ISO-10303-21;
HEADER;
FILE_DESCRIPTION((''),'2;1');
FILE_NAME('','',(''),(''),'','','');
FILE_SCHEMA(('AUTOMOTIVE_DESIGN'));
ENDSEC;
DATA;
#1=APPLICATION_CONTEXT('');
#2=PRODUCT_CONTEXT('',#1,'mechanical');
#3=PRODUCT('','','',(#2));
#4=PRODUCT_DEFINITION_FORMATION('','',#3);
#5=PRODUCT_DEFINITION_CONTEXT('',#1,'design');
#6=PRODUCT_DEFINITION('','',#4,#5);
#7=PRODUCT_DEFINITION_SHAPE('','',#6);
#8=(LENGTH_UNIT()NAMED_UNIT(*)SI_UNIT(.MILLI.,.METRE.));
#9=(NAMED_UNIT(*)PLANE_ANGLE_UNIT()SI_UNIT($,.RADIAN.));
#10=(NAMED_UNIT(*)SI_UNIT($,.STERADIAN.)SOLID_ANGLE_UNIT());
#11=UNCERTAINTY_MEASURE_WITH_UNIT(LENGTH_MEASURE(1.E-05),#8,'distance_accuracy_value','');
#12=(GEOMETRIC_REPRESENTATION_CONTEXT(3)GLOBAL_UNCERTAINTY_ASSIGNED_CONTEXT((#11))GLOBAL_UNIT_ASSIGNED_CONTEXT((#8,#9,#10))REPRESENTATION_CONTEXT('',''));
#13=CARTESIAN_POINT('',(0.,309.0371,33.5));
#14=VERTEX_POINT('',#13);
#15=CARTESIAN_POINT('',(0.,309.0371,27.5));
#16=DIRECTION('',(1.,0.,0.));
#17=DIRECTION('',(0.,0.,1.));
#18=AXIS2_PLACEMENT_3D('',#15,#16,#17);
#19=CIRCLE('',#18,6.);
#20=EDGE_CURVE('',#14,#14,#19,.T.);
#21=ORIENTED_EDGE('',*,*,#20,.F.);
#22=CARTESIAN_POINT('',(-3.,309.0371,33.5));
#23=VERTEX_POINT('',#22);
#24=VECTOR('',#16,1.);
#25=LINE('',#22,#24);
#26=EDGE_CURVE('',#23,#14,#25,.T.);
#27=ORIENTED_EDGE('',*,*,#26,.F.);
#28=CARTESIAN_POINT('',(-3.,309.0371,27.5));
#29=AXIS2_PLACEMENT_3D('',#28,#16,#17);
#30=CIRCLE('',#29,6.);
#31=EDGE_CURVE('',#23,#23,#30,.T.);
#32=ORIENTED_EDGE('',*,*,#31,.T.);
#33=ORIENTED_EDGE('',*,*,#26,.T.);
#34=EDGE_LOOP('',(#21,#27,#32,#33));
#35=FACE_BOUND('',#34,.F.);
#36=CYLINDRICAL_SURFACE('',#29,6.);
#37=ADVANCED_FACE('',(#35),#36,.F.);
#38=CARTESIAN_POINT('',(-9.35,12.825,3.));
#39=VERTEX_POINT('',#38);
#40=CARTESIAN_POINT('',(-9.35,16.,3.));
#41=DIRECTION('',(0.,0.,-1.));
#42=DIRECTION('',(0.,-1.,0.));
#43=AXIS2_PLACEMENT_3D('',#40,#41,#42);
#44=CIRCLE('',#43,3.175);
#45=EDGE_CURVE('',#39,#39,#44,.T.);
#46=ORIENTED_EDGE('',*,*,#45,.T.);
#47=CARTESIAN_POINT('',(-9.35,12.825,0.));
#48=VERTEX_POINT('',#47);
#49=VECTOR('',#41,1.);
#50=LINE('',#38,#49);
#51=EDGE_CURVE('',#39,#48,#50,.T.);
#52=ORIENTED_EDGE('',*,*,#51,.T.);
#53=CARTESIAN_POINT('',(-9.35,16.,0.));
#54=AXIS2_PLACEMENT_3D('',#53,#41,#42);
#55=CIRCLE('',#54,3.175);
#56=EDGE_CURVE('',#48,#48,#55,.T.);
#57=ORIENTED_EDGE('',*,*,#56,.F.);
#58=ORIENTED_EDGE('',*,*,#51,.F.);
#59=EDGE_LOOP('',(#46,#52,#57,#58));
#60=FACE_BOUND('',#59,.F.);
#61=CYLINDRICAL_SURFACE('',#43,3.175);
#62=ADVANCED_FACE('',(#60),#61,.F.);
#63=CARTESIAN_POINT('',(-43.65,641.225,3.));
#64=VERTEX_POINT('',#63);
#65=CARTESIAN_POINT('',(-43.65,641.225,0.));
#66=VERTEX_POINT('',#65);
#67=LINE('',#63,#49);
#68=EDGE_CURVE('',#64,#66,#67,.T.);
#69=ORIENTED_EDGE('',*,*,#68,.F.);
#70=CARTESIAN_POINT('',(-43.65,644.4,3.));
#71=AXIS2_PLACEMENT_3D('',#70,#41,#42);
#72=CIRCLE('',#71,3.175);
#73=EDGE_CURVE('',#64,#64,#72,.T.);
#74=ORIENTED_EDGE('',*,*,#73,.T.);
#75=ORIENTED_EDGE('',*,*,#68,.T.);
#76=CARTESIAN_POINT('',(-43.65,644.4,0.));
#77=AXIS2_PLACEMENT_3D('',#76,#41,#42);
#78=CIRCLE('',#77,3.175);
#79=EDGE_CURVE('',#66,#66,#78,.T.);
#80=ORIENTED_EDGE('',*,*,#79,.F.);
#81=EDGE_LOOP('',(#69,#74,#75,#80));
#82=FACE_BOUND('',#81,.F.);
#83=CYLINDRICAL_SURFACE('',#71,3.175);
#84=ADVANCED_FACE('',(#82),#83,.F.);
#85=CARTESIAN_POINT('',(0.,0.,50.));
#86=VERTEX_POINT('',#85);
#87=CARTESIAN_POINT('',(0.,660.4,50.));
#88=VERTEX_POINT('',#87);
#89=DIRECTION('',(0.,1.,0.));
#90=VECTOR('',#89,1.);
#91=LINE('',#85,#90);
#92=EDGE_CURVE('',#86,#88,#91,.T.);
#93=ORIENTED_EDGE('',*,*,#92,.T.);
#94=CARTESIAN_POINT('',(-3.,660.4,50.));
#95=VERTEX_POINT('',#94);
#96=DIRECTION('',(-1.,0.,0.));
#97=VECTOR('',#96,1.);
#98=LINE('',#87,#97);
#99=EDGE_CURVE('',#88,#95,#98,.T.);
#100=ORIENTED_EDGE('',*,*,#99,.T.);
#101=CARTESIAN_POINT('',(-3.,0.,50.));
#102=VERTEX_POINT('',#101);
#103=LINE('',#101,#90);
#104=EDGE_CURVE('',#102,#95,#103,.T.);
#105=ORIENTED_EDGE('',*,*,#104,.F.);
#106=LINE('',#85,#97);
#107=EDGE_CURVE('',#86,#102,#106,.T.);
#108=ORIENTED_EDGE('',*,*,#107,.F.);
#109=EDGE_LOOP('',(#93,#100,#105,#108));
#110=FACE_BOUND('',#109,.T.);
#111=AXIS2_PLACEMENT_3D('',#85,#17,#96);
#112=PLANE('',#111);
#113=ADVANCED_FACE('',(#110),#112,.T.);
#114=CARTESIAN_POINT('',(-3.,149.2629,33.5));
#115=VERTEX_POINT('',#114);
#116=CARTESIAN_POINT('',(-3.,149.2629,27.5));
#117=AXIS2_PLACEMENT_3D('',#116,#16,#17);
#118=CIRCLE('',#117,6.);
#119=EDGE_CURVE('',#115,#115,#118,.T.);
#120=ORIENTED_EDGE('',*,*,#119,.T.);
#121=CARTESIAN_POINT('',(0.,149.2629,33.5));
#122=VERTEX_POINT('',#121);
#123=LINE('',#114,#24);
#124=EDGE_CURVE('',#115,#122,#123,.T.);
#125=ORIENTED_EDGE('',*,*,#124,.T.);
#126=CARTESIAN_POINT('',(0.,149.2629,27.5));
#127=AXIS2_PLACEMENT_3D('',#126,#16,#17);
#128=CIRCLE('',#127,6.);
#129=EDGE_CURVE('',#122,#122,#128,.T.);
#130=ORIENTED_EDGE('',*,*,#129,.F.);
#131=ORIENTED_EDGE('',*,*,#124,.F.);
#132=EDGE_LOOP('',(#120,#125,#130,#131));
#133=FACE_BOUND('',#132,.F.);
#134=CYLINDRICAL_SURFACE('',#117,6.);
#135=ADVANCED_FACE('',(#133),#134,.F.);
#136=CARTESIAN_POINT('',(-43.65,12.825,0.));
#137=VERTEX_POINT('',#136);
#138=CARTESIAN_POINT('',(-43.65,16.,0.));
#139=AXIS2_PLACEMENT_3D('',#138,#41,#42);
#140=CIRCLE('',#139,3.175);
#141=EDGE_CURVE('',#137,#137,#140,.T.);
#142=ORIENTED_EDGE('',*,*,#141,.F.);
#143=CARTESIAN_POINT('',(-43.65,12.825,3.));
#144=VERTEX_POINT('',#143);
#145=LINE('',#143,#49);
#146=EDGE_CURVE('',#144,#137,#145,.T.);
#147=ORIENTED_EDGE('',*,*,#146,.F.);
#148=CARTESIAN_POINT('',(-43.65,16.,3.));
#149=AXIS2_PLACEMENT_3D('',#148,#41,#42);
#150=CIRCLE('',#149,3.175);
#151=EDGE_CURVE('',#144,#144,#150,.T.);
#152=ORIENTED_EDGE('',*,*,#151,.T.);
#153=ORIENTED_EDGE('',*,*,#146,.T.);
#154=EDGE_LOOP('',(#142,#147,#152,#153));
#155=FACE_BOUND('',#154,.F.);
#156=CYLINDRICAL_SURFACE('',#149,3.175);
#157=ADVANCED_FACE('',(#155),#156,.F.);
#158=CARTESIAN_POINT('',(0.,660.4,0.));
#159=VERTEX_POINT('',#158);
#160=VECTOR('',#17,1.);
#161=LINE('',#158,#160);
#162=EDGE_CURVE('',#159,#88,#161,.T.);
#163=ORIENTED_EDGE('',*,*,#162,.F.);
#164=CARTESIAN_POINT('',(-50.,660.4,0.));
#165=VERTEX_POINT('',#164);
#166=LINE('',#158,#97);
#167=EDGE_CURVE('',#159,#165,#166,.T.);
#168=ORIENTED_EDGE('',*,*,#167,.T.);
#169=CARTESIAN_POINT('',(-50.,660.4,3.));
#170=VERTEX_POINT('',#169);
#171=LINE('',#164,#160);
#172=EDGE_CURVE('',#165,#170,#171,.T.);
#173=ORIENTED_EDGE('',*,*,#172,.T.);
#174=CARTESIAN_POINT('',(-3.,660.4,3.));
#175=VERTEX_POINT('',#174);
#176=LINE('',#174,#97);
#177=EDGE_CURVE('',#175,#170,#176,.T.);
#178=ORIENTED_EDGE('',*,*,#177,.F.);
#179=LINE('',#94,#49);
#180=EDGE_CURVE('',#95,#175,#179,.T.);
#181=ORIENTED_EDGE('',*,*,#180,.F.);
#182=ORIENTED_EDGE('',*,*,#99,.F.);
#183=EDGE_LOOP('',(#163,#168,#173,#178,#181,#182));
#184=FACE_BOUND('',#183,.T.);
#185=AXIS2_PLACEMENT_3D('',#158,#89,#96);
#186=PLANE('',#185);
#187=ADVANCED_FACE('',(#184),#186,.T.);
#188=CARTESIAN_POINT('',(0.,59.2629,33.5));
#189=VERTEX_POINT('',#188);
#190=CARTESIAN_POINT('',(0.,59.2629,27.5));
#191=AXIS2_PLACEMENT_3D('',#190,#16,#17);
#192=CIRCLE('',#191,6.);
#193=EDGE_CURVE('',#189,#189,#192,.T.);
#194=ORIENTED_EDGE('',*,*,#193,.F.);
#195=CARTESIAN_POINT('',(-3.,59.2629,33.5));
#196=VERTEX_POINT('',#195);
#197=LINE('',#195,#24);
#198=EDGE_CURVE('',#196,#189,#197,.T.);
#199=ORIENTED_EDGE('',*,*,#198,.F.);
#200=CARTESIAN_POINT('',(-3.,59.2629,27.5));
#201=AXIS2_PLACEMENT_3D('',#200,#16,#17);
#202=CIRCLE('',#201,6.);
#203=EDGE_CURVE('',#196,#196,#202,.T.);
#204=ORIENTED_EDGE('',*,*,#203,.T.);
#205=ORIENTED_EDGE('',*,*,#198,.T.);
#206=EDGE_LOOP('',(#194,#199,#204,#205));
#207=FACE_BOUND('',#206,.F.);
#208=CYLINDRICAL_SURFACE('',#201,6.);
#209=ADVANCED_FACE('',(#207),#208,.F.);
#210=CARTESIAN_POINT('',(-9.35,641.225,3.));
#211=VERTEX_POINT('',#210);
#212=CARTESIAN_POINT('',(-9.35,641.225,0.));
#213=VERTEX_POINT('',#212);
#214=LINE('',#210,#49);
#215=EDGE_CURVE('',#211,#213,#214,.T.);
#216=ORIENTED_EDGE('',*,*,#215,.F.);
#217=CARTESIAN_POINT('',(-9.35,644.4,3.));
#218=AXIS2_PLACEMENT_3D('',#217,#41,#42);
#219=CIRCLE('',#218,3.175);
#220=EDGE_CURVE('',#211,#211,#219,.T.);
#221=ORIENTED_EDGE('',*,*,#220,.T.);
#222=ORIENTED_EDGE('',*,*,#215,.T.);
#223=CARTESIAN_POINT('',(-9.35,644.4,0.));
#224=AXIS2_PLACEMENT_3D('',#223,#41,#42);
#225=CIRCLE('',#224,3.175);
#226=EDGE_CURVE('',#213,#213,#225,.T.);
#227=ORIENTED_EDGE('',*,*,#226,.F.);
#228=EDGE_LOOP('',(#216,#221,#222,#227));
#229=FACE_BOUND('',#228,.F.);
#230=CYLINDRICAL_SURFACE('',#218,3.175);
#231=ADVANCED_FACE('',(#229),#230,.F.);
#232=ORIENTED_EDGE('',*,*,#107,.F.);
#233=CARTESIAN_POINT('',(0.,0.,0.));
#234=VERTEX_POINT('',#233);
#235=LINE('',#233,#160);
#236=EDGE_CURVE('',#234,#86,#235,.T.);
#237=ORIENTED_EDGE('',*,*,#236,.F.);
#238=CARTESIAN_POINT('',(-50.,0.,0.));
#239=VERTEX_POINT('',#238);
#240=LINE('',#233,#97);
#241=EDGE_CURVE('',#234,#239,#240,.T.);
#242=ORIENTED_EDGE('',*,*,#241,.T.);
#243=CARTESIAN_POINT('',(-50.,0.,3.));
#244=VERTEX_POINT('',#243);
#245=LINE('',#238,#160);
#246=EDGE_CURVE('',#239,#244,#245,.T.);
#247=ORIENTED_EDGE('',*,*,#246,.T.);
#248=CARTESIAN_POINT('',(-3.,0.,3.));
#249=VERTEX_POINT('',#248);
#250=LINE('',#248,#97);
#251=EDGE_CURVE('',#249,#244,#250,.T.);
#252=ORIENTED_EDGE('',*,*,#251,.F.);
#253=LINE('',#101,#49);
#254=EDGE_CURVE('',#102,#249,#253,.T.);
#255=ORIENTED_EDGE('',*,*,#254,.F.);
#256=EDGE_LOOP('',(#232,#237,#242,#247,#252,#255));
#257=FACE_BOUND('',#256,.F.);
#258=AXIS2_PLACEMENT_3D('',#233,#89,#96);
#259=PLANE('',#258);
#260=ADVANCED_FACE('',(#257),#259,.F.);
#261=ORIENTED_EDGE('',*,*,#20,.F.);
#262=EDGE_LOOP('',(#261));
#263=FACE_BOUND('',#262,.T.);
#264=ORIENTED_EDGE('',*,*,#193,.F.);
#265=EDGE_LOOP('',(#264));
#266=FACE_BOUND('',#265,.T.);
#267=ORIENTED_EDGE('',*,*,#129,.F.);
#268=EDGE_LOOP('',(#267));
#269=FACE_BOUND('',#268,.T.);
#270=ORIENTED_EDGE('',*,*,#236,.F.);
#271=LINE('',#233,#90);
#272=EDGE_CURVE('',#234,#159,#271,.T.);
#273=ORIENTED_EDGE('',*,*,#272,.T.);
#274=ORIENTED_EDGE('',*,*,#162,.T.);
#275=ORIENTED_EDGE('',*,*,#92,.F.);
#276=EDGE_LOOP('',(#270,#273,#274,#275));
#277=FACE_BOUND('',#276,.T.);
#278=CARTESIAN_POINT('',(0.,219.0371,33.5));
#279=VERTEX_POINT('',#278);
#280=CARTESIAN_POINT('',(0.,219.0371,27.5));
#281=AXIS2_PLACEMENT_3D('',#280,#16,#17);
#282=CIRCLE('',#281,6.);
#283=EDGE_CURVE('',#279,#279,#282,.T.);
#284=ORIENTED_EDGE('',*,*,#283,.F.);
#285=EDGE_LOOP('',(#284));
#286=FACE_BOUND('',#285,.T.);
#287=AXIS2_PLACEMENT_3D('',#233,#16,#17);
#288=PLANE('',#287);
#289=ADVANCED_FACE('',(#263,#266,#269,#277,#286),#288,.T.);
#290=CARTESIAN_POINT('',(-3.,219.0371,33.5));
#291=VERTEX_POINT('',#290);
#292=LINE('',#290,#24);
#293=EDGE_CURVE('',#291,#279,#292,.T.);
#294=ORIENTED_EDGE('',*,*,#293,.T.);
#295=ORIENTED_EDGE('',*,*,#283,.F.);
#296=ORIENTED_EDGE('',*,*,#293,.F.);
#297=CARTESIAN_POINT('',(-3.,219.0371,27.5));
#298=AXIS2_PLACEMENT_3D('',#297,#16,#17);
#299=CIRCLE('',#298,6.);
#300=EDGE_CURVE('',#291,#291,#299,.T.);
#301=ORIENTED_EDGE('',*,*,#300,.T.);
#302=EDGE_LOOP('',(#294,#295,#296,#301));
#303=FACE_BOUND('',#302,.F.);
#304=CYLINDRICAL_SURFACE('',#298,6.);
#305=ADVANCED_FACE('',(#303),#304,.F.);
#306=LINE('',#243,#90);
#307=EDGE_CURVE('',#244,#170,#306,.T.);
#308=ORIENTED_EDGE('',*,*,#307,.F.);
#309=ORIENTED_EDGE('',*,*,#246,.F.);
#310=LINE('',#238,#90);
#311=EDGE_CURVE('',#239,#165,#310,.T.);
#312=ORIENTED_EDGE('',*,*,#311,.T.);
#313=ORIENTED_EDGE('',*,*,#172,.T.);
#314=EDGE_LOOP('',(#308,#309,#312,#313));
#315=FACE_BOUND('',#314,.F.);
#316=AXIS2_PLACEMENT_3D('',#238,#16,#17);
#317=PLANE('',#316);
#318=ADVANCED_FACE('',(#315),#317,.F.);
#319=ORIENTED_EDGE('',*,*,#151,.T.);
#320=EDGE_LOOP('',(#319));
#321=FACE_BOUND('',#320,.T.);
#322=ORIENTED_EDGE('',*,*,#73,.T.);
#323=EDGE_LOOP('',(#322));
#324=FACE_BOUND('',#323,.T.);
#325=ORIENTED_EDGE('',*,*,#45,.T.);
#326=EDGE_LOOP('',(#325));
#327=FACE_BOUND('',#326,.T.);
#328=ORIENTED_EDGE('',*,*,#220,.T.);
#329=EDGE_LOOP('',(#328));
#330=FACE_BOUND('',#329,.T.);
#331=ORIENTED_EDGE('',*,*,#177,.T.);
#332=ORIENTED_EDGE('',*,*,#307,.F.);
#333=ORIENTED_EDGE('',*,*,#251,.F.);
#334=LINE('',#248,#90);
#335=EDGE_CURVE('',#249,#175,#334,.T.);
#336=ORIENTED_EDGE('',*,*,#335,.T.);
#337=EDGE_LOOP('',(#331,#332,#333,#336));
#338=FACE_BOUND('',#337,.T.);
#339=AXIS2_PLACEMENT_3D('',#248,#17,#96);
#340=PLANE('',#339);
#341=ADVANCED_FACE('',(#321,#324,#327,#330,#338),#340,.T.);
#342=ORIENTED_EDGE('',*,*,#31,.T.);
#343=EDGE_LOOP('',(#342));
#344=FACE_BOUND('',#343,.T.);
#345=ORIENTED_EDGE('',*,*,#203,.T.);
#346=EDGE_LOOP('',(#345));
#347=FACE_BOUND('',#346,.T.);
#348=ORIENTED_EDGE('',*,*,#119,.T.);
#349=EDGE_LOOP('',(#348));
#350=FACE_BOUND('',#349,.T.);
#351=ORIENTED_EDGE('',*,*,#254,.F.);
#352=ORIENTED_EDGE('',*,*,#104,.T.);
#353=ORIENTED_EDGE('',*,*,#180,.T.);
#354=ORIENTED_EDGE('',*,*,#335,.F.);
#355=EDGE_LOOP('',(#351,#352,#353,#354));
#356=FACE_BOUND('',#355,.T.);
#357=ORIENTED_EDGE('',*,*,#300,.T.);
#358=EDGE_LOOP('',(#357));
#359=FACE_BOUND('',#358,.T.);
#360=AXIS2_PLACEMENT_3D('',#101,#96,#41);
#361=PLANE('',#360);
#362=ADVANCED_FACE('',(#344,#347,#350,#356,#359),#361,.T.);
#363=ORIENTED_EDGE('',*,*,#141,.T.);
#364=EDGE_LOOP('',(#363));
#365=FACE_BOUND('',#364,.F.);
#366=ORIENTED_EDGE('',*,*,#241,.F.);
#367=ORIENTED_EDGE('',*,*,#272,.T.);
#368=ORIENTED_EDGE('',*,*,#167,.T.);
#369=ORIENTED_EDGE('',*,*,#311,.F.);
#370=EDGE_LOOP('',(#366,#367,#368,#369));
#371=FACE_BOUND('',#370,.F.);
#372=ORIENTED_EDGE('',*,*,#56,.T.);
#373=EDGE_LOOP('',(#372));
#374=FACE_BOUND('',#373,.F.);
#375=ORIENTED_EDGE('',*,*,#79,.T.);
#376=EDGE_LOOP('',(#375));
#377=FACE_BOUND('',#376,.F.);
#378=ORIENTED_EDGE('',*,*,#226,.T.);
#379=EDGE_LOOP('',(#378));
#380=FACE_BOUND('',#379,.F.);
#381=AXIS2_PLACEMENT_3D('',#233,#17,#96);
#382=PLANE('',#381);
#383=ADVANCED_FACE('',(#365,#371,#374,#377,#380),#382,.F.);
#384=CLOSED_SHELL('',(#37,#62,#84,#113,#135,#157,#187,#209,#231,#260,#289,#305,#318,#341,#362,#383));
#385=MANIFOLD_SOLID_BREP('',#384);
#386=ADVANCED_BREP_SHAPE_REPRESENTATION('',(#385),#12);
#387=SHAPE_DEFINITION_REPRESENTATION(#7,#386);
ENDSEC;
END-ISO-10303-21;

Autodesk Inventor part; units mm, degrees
ref_plane "YZ Plane" through (0, 0, 0) normal (1, 0, 0) x (0, 1, 0)
ref_plane "XZ Plane" through (0, 0, 0) normal (0, 1, 0) x (-1, 0, 0)
ref_plane "XY Plane" through (0, 0, 0) normal (0, 0, 1) x (1, 0, 0)
sketch "Sketch1" plane through (0, 0, 0) normal (0, 1, 0) x (-1, 0, 0)
  line L0 (0, 0) -> (50, 0)
  line L1 (50, 0) -> (50, 3)
  line L2 (0, 0) -> (0, 50)
  line L3 (0, 50) -> (3, 50)
  line L4 (3, 50) -> (3, 3)
  line L5 (3, 3) -> (50, 3)
  dimension "d0" = 50
  dimension "d1" = 3
  dimension "d2" = 50
  dimension "d3" = 3
extrude "Extrusion1" add sketch "Sketch1" along normal blind 660.4
sketch "Sketch5" plane through (-3, 0, 3) normal (-1, 0, 0) x (0, 0, 1)
  circle A0 centre (24.5, 59.2629) radius 4.8387
  circle A1 centre (24.5, 149.2629) radius 4.8387
  circle A2 centre (24.5, 219.0371) radius 4.8387
  circle A3 centre (24.5, 309.0371) radius 4.8387
  line L0 (0, 0) -> (47, 0) projected
  line L1 (0, 0) -> (0, 660.4) projected
  line L2 (-136.6387, 184.15) -> (192.6114, 184.15) construction
  line L3 (47, 0) -> (47, 660.4) projected
  line L4 (-3, 0) -> (-3, 660.4) construction
  dimension "d68" = 90
  dimension "d70" = 90
  dimension "d71" = 69.7742
  dimension "d72" = 184.15
  dimension "d73" = 34.8871
  dimension "d74" = 34.8871
  dimension "d78" = 59.2629
  dimension "d79" = 50
  dimension "d102" = 22.5
sketch "Sketch6" plane through (-50, 0, 3) normal (0, 0, 1) x (1, 0, 0)
  line L0 (0, 0) -> (47, 0) projected
  line L1 (47, 0) -> (47, 660.4) projected
  line L2 (0, 660.4) -> (47, 660.4) projected
  line L3 (0, 0) -> (0, 660.4) projected
  line L4 (0, 0) -> (47, 0) projected
  line L5 (47, 0) -> (47, 660.4) projected
  line L6 (0, 660.4) -> (47, 660.4) projected
  line L7 (0, 0) -> (0, 660.4) projected
  line L8 (50, 0) -> (50, 660.4) projected
  line L9 (47, 660.4) -> (50, 660.4) projected
  line L10 (0, 644.4) -> (50, 644.4) construction
  circle A0 centre (6.35, 644.4) radius 3.175
  circle A1 centre (40.65, 644.4) radius 3.175
  line L11 (50, 16) -> (0, 16) construction
  circle A2 centre (40.65, 16) radius 3.175
  circle A3 centre (6.35, 16) radius 3.175
  dimension "d80" = 16
  dimension "d81" = 6.35
  dimension "d82" = 6.35
  dimension "d83" = 6.35
  dimension "d84" = 6.35
  dimension "d85" = 16
  dimension "d86" = 6.35
  dimension "d87" = 6.35
hole "Hole1" at (-9.35, 644.4, 3) at (-43.65, 644.4, 3) at (-9.35, 16, 3) at (-43.65, 16, 3) direction (0, 0, -1) diameter 6.35 depth 3 tip angle 118
hole "Hole2" at (-3, 59.2629, 27.5) at (-3, 149.2629, 27.5) at (-3, 219.0371, 27.5) at (-3, 309.0371, 27.5) direction (1, 0, 0) diameter 12 depth 3 tip angle 118
equation "\"d68\" = d70"
equation "\"d73\" = 0.5 * d71"
equation "\"d74\" = 0.5 * d71"
properties part number "26in Angle Channel CIM Mount Left" material "Aluminum 6061"
